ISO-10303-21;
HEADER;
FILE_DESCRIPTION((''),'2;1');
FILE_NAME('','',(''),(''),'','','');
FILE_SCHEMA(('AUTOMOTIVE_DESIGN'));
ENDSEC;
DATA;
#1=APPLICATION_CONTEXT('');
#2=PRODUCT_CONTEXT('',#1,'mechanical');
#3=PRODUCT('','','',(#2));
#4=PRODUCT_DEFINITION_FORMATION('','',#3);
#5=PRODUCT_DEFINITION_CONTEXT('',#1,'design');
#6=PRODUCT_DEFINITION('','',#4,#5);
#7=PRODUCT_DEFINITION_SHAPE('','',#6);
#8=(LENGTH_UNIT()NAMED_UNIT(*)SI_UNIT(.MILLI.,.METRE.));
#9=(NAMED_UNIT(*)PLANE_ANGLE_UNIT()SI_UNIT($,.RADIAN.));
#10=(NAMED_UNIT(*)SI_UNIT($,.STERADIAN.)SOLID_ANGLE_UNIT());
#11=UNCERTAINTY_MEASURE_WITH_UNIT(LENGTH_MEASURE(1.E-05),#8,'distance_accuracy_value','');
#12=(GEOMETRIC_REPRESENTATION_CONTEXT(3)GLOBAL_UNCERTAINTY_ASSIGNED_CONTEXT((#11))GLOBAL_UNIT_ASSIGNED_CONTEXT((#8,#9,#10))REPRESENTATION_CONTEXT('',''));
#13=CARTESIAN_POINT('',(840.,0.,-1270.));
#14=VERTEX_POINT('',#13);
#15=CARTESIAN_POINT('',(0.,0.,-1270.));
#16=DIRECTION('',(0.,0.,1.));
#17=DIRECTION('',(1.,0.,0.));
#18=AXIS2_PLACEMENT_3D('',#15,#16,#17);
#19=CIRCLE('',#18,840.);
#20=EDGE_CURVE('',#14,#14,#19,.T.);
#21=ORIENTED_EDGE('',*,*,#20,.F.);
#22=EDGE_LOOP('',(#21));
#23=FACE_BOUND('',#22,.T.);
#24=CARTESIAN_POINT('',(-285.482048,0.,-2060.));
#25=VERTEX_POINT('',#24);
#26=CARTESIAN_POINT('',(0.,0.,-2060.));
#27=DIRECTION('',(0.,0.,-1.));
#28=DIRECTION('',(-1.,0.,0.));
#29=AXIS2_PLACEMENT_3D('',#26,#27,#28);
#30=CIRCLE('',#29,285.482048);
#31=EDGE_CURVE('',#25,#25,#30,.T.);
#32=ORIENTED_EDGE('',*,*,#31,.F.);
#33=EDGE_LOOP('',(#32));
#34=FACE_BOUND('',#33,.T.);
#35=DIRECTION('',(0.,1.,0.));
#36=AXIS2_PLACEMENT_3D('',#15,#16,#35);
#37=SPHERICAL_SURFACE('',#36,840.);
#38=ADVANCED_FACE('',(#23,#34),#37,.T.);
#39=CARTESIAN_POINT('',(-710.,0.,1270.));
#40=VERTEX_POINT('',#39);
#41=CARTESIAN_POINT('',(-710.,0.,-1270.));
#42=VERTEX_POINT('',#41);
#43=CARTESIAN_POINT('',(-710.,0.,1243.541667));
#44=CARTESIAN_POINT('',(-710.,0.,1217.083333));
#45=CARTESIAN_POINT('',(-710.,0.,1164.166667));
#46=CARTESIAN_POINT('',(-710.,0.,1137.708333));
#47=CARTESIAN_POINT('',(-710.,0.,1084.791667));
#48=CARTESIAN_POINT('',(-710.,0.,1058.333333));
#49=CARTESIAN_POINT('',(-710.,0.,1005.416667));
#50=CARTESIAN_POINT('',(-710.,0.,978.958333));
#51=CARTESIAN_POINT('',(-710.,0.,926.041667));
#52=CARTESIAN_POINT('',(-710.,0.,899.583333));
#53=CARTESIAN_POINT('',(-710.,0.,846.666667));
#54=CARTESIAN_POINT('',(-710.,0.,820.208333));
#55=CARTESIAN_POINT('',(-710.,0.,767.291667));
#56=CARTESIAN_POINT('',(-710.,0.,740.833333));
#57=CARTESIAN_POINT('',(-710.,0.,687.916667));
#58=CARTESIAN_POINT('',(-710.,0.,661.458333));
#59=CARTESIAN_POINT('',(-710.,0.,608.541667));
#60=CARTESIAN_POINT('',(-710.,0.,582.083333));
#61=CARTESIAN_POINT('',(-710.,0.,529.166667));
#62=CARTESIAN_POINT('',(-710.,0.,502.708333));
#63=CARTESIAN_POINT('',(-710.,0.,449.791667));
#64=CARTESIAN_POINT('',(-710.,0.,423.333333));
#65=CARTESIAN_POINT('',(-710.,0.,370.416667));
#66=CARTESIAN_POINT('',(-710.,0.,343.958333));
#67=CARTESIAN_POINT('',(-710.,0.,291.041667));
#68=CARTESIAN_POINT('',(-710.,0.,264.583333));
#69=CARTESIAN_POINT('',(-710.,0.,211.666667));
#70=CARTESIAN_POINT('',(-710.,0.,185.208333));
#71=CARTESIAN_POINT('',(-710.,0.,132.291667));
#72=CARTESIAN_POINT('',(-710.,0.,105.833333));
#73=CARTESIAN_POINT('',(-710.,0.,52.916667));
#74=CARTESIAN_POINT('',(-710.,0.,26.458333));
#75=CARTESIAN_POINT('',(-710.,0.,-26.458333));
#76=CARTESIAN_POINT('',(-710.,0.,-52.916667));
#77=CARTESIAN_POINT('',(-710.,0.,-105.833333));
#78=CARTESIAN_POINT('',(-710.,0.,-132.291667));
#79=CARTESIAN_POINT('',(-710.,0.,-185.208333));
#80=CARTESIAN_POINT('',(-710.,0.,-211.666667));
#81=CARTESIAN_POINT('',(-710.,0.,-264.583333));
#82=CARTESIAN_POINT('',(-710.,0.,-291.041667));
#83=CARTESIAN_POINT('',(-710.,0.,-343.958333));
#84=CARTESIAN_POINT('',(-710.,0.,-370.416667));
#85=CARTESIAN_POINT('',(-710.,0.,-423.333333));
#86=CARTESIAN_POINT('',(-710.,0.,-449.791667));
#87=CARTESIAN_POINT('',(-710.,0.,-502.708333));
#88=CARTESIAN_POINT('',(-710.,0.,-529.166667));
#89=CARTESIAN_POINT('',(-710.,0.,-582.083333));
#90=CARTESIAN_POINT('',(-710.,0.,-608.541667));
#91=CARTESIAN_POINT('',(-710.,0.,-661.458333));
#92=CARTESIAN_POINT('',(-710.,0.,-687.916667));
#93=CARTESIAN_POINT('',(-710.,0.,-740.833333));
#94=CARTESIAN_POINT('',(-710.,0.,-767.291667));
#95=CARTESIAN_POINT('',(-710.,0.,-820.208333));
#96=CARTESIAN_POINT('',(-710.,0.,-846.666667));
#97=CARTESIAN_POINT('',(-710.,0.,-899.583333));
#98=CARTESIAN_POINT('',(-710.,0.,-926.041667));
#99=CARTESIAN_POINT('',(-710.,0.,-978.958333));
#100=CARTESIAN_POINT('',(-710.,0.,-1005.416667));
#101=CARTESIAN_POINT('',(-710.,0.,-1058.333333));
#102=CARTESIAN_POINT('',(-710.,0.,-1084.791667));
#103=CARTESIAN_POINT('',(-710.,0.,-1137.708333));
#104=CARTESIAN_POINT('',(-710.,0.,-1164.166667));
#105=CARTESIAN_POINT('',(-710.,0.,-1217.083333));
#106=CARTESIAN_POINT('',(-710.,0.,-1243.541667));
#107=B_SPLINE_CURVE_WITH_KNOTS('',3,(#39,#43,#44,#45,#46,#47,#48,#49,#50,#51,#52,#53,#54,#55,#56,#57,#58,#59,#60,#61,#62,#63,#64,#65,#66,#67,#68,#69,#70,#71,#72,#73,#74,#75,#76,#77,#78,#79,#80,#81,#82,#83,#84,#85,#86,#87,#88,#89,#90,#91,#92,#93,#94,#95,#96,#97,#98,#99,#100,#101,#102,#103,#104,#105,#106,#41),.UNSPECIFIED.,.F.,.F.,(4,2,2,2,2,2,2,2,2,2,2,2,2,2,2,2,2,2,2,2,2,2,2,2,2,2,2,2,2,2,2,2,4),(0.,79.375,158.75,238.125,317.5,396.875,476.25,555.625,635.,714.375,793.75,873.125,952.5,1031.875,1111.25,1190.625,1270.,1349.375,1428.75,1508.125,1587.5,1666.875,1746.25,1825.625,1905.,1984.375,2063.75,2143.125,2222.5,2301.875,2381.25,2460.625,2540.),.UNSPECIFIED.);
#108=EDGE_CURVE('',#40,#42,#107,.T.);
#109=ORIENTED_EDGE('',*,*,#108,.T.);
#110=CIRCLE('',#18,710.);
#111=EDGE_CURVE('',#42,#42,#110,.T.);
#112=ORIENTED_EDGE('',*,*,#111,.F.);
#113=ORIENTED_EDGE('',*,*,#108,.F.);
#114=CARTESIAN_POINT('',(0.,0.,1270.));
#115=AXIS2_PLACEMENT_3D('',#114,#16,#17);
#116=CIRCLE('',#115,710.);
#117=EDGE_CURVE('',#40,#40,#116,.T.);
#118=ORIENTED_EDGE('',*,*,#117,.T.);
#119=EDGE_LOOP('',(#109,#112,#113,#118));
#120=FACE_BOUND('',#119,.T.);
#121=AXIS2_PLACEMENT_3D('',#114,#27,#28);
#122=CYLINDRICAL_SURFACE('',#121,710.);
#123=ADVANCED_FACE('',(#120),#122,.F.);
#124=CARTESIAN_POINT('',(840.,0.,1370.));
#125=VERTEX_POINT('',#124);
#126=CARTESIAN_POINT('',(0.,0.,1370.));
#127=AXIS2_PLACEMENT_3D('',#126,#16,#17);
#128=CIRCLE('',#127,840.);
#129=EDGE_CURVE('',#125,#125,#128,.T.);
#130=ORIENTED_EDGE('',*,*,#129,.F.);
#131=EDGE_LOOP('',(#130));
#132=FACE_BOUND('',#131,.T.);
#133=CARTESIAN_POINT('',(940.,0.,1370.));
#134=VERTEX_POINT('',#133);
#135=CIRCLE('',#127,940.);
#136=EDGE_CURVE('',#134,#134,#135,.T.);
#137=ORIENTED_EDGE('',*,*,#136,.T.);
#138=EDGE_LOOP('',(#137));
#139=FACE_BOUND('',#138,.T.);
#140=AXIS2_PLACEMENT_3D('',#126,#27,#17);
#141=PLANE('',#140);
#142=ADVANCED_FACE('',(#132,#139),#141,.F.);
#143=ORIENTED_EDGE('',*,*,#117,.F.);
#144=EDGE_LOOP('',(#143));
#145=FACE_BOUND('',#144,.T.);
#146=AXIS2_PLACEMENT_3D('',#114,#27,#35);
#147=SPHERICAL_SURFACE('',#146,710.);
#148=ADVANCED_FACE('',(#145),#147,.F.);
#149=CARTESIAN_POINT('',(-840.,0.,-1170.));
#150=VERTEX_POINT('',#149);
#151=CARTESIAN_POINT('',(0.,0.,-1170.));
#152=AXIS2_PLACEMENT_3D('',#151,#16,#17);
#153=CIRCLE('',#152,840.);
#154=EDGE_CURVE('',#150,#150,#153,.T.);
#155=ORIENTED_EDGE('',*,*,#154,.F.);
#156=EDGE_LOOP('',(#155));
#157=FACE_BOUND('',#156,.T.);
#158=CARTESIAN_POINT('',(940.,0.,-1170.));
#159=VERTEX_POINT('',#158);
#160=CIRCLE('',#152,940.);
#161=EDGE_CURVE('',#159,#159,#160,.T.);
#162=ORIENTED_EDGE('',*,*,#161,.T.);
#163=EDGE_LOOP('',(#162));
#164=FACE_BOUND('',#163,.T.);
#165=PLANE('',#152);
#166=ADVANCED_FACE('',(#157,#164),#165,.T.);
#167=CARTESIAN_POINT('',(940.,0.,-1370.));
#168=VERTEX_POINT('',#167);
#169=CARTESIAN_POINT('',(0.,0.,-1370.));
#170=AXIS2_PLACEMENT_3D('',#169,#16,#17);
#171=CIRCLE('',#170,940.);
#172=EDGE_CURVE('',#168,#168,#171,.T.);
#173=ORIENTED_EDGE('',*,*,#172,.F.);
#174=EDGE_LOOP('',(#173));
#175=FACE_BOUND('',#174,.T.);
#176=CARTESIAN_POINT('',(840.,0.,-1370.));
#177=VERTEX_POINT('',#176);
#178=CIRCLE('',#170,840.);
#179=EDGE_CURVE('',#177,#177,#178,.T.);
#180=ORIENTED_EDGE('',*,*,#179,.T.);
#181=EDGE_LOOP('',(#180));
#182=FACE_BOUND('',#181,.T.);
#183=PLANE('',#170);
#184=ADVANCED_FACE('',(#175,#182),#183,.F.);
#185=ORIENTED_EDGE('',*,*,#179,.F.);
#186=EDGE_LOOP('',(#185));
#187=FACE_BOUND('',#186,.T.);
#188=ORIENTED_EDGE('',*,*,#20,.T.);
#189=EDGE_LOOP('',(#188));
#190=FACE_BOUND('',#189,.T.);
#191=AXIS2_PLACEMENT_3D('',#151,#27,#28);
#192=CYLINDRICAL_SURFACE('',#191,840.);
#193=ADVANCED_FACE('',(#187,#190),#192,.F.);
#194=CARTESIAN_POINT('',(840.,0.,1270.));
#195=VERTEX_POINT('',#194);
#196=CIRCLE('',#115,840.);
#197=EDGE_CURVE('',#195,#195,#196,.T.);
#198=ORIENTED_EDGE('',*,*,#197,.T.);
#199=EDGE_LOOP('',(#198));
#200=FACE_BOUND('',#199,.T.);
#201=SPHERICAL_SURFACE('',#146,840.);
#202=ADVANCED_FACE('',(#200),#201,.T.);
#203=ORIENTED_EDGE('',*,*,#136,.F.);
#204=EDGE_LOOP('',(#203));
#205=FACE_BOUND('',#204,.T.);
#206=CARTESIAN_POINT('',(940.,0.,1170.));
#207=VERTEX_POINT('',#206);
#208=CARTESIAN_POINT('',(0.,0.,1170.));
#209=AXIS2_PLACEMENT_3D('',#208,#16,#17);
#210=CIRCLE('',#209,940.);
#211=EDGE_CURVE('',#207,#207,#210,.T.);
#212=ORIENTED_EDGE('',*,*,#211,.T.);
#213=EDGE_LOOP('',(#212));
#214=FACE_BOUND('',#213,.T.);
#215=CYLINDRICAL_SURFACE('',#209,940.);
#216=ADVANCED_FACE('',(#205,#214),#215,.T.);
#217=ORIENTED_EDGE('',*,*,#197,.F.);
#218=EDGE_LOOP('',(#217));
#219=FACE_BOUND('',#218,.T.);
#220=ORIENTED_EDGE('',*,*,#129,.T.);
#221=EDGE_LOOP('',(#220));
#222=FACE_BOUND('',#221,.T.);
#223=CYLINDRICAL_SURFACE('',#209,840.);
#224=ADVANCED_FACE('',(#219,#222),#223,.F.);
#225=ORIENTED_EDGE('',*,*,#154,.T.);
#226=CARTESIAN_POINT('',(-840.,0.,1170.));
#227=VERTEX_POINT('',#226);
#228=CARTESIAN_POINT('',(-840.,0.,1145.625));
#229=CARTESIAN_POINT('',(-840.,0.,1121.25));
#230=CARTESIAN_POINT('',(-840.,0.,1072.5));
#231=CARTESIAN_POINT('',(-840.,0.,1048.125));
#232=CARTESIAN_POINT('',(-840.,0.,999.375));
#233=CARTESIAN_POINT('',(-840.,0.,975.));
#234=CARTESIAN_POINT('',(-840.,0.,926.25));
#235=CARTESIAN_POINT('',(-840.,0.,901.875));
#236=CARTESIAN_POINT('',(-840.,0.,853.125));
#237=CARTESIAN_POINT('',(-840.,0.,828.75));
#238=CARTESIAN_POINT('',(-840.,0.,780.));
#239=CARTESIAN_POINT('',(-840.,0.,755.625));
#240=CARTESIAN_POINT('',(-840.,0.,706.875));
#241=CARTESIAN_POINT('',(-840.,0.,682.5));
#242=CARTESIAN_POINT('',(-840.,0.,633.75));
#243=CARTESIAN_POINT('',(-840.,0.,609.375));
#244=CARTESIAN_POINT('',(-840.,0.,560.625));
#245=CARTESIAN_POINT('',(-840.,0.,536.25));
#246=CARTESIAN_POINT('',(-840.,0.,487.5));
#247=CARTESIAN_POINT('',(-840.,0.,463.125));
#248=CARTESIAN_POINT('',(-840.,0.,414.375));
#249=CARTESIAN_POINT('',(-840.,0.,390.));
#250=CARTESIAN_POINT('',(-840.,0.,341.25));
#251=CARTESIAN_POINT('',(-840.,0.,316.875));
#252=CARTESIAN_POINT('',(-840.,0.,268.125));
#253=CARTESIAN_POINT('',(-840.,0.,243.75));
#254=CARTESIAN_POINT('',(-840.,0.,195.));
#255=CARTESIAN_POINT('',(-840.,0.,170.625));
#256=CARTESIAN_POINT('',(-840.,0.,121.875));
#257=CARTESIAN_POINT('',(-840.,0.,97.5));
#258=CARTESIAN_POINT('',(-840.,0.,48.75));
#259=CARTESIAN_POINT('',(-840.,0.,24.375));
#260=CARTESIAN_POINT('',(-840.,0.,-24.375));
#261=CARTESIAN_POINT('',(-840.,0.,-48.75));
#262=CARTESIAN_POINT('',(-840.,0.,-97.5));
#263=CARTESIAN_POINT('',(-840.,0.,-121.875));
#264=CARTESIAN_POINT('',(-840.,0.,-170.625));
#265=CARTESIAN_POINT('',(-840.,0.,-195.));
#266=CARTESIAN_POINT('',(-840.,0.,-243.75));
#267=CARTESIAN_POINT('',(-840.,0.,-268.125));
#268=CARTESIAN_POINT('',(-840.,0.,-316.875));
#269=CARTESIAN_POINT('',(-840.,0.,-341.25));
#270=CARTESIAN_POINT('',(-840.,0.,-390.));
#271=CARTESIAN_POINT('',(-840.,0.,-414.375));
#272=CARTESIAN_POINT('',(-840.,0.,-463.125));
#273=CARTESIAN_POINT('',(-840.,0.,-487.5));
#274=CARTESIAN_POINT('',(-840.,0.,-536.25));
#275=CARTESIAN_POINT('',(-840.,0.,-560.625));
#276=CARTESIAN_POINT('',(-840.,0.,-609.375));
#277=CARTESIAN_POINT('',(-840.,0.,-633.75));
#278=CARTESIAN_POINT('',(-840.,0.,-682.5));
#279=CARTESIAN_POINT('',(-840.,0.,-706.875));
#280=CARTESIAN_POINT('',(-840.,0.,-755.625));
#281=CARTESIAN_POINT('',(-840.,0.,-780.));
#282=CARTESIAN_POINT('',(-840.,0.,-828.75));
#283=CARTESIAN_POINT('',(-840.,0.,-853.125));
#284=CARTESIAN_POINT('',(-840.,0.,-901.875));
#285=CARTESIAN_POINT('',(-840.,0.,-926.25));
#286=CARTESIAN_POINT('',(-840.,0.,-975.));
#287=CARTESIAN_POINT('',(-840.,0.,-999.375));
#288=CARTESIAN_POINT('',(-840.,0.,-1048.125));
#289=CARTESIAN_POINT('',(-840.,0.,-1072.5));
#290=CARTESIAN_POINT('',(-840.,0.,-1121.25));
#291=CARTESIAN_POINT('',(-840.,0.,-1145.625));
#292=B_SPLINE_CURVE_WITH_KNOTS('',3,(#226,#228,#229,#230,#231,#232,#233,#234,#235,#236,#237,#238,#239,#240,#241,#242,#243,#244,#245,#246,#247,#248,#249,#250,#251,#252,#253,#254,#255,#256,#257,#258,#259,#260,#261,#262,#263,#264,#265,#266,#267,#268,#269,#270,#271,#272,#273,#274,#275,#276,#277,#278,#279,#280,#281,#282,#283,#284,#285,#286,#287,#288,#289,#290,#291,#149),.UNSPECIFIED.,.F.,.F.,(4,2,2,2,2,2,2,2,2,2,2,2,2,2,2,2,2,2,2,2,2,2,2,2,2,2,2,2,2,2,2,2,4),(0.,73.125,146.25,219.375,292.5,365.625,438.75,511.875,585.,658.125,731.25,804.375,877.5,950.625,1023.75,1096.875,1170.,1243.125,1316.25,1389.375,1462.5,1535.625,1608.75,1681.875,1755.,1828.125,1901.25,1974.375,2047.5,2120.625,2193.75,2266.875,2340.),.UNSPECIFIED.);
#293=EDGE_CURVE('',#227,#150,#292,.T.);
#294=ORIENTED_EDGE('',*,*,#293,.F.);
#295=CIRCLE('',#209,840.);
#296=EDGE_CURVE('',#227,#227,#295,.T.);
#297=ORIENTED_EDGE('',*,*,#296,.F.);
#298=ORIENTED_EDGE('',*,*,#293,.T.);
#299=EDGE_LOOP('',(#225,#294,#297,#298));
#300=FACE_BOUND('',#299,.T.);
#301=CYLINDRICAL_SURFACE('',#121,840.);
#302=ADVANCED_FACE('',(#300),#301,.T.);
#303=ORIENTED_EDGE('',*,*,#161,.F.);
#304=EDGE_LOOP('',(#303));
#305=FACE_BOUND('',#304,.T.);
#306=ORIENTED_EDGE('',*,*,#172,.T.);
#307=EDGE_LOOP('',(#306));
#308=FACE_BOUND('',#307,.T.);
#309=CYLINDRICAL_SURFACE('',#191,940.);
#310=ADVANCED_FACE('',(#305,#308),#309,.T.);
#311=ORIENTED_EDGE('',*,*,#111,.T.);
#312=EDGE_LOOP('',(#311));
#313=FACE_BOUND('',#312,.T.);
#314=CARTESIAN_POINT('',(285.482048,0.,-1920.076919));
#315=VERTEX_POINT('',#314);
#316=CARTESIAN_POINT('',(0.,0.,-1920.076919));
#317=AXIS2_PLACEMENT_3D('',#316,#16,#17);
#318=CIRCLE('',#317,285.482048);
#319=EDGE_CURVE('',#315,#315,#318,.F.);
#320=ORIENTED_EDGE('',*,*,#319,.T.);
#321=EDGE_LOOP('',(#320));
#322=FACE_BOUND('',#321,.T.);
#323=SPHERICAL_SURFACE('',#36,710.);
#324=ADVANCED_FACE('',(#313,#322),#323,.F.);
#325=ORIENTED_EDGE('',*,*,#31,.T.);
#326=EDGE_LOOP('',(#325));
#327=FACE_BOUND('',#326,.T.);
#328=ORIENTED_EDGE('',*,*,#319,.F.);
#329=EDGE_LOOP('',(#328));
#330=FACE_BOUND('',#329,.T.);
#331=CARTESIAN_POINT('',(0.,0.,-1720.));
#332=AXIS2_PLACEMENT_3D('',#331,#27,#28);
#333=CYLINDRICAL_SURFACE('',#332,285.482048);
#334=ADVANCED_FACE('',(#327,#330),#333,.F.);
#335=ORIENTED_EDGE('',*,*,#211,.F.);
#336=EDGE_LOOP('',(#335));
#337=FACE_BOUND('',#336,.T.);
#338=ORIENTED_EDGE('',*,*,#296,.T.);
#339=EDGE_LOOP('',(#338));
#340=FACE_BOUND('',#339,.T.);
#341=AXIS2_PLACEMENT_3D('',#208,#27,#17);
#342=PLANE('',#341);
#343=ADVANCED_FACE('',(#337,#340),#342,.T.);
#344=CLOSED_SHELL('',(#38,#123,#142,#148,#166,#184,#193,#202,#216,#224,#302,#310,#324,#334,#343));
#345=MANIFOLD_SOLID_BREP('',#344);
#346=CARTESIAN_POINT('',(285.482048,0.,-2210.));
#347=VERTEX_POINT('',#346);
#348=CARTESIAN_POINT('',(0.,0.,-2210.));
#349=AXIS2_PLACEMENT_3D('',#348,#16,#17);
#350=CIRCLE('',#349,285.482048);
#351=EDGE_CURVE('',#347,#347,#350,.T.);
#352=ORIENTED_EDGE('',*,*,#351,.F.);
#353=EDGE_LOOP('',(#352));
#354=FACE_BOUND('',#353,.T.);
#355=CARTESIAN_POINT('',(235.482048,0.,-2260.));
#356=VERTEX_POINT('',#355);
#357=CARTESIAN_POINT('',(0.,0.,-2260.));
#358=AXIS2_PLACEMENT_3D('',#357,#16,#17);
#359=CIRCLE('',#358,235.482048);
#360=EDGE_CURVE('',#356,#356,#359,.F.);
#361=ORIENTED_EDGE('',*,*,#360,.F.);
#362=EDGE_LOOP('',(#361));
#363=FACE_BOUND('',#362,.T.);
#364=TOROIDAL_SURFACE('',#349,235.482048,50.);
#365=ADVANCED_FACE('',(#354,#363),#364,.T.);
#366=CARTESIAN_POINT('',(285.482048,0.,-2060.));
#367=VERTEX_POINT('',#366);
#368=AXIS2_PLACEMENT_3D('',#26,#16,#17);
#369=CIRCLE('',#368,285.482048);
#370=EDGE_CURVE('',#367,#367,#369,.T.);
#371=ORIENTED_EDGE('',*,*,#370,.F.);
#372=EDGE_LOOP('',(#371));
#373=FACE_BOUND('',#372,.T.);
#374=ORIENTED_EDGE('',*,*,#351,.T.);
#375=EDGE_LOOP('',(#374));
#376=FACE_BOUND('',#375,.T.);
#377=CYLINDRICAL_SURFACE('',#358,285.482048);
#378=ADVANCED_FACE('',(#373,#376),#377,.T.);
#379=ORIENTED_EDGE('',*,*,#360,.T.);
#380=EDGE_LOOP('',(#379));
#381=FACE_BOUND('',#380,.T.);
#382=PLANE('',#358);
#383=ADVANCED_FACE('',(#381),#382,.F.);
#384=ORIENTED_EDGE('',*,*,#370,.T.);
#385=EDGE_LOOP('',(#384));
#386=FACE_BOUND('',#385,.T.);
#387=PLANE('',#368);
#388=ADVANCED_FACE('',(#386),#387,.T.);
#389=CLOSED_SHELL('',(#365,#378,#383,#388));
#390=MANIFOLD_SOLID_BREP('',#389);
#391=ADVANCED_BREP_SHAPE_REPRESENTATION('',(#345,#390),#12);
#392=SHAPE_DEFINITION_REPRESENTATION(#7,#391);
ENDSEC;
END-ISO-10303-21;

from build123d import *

# Parameters (mm, degrees)
SKETCH1_R           = 840
SKETCH1_R_2         = 710
BOSS_EXTRUDE1_DEPTH = 1270
SKETCH5_R           = 940
SKETCH5_R_2         = 840
BOSS_EXTRUDE2_DEPTH = 100
SKETCH7_R           = 400
CUT_EXTRUDE1_DEPTH  = 50
SKETCH10_R          = 285.482048
CUT_EXTRUDE2_DEPTH  = 340
SKETCH11_R          = 285.482048
BOSS_EXTRUDE4_DEPTH = 200
FILLET2_R           = 50


with BuildPart() as part:
    # Sketch1 → Boss-Extrude1 (new, symmetric)
    with BuildSketch(Plane.XY):
        with Locations(Location((0, 0, 0), (0, 0, 180))):
            Circle(SKETCH1_R)
        with Locations(Location((0, 0, 0), (0, 0, 180))):
            Circle(SKETCH1_R_2, mode=Mode.SUBTRACT)
    extrude(amount=BOSS_EXTRUDE1_DEPTH, both=True)

    # Sketch4 → Revolve1 (revolve)
    with BuildSketch(Plane(origin=(0, 0, 0), x_dir=(0, 0, -1), z_dir=(1, 0, 0))):
        with BuildLine():
            Line((1270, 840), (1270, 710))
            ThreePointArc((1270, 710), (1772.045815, 502.045815), (1980, 0))
            Line((1980, 0), (2110, 0))
            ThreePointArc((2110, 0), (1863.969696, 593.969696), (1270, 840))
        make_face()
    revolve1 = revolve(axis=Axis((0, 0, -1270), (0, 0, -1)))

    # Mirror1: Revolve1 across plane
    add(revolve1.mirror(Plane.XY))

    # Sketch5 → Boss-Extrude2 (add, symmetric)
    with BuildSketch(Plane.XY.offset(-1270)):
        Circle(SKETCH5_R)
        with Locations(Location((0, 0, 0), (0, 0, 180))):
            Circle(SKETCH5_R_2, mode=Mode.SUBTRACT)
    boss_extrude2 = extrude(amount=BOSS_EXTRUDE2_DEPTH, both=True)

    # Mirror2: Boss-Extrude2 across plane
    add(boss_extrude2.mirror(Plane.XY))

    # Sketch7 → Cut-Extrude1 (cut, symmetric)
    with BuildSketch(Plane(origin=(0, 0, -2110), x_dir=(-1, 0, 0), z_dir=(0, 0, -1))):
        Circle(SKETCH7_R)
    extrude(amount=CUT_EXTRUDE1_DEPTH, both=True, mode=Mode.SUBTRACT)

    # Sketch10 → Cut-Extrude2 (cut)
    with BuildSketch(Plane(origin=(0, 0, -2060), x_dir=(-1, 0, 0), z_dir=(0, 0, -1))):
        Circle(SKETCH10_R)
    extrude(amount=-CUT_EXTRUDE2_DEPTH, mode=Mode.SUBTRACT)


with BuildPart() as body_2:
    # Sketch11 → Boss-Extrude4 (new body)
    with BuildSketch(Plane.XY.offset(-2060)):
        Circle(SKETCH11_R)
    extrude(amount=-BOSS_EXTRUDE4_DEPTH)

    # Fillet2
    fillet2_edges = [body_2.edges().sort_by_distance(p)[0] for p in [
        (-285.482048, 0, -2260),
    ]]
    fillet(fillet2_edges, radius=FILLET2_R)


solid = Compound([part.part, body_2.part])
